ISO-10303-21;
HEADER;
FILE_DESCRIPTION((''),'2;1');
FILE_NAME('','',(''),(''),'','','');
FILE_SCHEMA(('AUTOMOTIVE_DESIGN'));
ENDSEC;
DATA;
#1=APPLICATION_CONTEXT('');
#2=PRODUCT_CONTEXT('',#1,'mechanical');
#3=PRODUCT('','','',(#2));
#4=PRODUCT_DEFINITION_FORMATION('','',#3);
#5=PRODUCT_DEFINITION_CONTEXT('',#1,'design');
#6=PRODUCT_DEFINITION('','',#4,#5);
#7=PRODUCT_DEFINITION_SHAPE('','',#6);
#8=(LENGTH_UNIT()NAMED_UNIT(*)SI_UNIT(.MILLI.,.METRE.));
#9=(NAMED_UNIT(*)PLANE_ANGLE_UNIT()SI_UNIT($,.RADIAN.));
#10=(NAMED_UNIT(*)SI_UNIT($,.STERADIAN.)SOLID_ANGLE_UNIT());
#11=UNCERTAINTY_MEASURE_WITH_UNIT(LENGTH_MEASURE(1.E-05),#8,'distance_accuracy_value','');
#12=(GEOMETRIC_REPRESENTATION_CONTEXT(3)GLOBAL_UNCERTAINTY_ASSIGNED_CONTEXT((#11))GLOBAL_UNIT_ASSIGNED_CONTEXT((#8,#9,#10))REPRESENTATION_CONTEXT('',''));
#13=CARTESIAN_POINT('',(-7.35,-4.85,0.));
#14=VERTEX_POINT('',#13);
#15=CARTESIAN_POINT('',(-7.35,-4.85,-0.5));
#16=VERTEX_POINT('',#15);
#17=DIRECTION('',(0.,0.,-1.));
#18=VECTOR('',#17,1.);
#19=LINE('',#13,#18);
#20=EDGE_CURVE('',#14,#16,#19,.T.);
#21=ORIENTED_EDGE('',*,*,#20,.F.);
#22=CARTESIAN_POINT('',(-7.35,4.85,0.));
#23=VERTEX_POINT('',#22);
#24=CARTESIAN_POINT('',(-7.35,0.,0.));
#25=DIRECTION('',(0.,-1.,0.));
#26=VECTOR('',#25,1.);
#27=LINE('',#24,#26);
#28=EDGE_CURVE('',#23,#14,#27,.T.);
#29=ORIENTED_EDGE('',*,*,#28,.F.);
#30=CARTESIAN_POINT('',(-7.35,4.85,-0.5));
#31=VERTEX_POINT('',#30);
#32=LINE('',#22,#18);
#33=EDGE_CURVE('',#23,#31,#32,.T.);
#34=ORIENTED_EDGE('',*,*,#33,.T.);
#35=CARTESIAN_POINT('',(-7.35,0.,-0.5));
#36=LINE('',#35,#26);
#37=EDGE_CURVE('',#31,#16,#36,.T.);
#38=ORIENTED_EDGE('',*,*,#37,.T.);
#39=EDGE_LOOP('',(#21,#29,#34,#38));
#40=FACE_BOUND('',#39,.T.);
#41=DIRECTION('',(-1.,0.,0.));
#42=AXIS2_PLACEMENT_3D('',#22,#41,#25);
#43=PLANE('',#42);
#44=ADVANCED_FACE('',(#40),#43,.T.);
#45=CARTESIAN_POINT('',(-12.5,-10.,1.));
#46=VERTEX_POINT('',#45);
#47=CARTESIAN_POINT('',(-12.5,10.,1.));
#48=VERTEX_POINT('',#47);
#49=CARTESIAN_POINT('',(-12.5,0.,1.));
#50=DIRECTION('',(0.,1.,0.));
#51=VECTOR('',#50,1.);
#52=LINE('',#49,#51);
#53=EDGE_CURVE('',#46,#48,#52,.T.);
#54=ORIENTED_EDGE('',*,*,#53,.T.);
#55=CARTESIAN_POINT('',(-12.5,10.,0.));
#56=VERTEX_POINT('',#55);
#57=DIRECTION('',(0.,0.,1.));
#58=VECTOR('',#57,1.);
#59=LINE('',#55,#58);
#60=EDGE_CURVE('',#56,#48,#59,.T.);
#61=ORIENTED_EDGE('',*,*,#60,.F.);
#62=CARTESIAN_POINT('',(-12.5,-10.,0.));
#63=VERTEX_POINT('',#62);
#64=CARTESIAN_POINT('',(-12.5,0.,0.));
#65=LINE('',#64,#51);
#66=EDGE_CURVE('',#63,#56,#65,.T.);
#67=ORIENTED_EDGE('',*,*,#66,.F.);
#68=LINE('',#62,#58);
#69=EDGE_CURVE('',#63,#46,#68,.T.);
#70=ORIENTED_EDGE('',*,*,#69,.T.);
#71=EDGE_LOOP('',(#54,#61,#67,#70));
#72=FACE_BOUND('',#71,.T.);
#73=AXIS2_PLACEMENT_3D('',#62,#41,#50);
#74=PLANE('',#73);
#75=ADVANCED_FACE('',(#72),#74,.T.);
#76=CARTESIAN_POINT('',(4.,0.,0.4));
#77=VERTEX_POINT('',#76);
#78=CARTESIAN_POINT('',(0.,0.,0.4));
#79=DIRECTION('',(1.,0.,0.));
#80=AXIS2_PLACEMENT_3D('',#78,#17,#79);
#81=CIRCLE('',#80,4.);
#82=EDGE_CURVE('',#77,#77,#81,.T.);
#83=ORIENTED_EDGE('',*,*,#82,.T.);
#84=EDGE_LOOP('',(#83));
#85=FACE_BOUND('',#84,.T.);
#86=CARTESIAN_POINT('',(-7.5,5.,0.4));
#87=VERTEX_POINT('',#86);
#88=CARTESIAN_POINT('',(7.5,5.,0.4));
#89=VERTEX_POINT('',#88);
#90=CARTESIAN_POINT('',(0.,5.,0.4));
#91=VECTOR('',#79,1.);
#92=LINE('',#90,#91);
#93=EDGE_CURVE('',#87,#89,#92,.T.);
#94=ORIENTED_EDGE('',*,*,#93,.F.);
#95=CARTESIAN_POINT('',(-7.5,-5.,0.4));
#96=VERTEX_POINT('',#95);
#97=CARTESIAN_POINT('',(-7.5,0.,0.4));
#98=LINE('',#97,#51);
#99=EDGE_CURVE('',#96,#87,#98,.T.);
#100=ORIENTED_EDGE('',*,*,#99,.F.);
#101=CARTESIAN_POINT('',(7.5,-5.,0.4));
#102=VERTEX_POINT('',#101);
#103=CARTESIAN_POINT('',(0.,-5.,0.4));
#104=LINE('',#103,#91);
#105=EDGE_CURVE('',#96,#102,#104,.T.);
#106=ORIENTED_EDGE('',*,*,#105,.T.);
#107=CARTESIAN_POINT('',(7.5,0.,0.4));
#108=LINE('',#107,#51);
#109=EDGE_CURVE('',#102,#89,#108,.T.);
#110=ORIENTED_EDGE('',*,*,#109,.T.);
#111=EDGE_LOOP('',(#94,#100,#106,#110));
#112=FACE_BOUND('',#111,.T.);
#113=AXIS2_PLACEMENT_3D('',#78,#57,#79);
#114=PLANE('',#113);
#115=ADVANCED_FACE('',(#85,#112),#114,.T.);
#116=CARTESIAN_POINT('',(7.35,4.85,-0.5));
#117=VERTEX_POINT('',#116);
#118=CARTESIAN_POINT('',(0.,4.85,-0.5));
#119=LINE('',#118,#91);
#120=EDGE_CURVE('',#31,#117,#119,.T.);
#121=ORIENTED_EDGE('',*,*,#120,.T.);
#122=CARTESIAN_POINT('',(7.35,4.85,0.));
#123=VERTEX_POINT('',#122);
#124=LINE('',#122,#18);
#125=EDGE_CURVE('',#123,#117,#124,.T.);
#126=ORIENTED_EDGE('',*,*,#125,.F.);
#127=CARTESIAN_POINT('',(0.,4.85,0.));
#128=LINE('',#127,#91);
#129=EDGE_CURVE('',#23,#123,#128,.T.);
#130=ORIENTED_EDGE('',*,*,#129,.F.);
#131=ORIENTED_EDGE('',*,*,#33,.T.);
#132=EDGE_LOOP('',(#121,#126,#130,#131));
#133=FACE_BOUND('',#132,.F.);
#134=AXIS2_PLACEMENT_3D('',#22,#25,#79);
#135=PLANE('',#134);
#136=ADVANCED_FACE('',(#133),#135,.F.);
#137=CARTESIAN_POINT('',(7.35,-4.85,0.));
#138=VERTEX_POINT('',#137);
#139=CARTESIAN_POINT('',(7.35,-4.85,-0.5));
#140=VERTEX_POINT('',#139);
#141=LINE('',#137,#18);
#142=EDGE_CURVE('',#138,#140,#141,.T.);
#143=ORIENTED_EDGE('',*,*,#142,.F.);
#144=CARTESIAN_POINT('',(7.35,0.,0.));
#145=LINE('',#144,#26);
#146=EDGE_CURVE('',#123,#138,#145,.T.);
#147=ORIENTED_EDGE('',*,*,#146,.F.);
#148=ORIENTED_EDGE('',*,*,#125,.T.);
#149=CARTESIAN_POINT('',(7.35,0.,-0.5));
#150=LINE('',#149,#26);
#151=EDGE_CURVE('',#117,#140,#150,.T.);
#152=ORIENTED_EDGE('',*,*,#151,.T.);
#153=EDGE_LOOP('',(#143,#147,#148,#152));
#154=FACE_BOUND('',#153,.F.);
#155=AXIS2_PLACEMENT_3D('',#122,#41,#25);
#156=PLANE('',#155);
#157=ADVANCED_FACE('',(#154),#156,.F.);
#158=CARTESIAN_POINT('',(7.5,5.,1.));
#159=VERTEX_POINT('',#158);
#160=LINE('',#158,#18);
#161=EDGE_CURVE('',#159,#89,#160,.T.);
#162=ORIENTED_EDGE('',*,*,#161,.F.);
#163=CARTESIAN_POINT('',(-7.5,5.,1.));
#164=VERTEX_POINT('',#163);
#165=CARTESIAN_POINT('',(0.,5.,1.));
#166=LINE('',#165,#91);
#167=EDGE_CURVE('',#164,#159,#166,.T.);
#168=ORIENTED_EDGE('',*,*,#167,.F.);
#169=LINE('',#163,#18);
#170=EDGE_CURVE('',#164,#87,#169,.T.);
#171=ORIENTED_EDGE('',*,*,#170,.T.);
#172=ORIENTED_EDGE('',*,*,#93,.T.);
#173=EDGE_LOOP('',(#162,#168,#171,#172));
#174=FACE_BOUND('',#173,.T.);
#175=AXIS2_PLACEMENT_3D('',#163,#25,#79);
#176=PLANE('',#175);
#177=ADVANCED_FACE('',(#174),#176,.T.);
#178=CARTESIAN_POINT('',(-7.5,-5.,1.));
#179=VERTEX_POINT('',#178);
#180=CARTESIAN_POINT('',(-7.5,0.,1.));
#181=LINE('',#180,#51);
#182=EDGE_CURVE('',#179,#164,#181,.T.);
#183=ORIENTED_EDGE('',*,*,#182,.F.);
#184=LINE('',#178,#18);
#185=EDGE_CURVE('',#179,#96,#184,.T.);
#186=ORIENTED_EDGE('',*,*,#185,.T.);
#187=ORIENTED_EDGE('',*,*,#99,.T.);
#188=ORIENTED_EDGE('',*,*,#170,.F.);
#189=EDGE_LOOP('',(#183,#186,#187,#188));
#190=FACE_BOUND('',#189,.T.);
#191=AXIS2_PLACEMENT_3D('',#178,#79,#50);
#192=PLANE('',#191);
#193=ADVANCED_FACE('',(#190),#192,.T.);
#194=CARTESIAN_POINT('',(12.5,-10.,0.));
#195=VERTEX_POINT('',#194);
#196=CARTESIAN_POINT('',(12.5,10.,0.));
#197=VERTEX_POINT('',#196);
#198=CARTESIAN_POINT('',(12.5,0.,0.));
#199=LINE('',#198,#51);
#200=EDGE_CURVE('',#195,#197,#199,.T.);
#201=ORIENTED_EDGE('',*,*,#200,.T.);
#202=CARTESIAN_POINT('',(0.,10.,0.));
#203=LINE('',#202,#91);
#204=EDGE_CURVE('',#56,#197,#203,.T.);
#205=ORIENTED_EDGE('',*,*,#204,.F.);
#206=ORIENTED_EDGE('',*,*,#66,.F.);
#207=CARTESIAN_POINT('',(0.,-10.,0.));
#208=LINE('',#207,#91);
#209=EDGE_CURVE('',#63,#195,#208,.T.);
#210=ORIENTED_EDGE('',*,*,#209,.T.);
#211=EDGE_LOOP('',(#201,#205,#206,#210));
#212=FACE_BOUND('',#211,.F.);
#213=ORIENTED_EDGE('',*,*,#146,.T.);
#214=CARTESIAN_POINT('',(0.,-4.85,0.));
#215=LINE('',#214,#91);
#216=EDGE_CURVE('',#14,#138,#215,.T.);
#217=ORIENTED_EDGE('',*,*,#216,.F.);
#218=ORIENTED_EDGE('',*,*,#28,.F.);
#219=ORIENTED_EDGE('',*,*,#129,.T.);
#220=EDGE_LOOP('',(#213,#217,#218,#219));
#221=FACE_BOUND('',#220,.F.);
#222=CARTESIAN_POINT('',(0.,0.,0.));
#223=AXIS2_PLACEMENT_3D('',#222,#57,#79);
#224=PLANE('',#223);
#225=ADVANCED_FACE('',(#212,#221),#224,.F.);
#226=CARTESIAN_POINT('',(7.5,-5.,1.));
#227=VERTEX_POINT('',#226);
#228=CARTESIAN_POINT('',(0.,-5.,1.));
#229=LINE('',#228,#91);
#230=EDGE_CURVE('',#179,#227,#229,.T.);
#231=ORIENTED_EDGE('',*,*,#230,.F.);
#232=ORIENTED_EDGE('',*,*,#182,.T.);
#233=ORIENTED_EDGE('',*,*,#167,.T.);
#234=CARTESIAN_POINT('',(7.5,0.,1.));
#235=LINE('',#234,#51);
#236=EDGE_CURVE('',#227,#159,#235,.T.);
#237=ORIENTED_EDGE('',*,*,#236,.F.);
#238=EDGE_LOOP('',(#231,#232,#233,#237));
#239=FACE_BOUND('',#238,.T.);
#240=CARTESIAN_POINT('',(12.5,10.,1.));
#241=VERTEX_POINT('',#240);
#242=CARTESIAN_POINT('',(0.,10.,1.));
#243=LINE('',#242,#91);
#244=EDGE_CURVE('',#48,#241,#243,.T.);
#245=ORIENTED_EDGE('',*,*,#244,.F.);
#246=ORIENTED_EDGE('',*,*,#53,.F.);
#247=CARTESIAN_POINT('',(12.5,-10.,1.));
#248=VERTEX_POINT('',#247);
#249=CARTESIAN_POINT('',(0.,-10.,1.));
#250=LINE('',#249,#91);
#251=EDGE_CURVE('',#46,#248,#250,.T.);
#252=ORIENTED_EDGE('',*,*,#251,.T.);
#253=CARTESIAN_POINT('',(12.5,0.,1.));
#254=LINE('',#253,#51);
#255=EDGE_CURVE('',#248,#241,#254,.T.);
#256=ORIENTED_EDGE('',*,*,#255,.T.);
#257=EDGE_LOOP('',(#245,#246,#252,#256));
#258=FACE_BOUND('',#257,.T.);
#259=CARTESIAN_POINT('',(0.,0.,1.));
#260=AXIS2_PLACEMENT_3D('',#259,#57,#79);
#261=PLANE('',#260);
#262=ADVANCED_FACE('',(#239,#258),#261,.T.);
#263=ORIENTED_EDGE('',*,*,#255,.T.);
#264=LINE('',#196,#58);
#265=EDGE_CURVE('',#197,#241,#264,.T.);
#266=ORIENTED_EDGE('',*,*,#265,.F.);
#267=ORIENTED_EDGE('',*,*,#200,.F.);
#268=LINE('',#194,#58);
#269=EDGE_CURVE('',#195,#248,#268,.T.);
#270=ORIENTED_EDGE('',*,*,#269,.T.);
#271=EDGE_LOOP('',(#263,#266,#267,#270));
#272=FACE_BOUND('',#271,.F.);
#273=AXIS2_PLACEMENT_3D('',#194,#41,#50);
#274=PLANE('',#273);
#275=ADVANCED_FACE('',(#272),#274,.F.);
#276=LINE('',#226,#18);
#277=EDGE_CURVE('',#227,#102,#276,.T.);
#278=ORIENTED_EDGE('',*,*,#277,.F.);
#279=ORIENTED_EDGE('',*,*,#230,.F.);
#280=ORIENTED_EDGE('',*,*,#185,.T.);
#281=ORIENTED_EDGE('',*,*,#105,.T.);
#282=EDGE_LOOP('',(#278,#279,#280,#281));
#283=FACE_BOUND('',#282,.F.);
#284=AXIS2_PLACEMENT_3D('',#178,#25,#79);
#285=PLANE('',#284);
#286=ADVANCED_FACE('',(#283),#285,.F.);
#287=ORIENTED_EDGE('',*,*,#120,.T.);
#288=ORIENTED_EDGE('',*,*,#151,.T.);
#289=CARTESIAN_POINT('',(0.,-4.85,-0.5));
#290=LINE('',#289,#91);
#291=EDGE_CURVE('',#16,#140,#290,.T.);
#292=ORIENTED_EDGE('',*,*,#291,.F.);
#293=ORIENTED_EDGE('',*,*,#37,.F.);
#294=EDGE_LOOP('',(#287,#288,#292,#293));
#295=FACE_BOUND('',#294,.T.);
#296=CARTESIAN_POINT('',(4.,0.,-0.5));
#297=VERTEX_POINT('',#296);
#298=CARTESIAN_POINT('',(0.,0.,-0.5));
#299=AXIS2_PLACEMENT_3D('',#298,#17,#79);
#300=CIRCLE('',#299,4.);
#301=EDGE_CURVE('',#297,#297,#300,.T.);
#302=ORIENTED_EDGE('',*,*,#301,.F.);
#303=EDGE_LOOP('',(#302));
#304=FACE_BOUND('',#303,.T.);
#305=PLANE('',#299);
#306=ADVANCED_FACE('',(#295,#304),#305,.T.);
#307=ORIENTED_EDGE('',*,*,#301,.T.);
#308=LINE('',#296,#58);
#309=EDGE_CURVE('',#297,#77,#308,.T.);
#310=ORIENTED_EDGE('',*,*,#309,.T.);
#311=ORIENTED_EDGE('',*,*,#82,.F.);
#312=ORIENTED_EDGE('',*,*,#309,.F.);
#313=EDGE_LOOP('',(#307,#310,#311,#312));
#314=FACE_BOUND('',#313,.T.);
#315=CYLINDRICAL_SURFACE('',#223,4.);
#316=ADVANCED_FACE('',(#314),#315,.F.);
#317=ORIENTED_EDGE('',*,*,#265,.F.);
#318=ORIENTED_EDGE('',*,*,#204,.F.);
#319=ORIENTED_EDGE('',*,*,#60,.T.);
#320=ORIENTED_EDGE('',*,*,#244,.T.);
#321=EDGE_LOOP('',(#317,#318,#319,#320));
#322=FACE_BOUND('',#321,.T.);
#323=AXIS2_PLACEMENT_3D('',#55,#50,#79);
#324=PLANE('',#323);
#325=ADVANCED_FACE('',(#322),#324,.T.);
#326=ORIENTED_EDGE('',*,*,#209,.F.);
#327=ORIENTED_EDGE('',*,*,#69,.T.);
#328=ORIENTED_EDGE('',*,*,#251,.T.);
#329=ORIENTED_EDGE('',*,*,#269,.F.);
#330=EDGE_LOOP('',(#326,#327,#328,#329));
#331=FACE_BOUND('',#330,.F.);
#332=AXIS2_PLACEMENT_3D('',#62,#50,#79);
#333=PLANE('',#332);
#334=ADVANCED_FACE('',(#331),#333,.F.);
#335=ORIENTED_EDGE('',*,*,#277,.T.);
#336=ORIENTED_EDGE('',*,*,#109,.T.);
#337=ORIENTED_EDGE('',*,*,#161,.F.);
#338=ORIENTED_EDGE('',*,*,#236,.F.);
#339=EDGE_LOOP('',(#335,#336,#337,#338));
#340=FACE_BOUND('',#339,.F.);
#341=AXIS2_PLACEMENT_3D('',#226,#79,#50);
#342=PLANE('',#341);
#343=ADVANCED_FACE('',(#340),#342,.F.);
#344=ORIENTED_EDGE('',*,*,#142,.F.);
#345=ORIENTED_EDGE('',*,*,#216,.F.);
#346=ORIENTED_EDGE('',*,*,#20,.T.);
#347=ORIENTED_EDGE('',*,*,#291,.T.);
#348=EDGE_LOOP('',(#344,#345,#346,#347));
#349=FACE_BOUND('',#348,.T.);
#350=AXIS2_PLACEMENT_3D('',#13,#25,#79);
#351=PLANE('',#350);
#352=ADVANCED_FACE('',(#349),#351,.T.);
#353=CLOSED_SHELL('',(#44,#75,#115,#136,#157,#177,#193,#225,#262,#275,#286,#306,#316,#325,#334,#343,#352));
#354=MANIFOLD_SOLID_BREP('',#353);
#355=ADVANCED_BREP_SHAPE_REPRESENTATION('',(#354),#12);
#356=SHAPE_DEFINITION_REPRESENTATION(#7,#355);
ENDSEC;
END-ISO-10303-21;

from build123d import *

# Parameters (mm, degrees)
F0_W     = 25
F0_H     = 20
F0_R     = 4
F1_DEPTH = 1
F2_W     = 15
F2_H     = 10
F3_DEPTH = 0.6
F4_W     = 14.7
F4_H     = 9.7
F4_R     = 4
F5_DEPTH = 0.5


with BuildPart() as f1:
    # F0 (on Top) → F1 (new body)
    with BuildSketch(Plane.XY):
        Rectangle(F0_W, F0_H)
        Circle(F0_R, mode=Mode.SUBTRACT)
    extrude(amount=F1_DEPTH)

    # F2 (on face) → F3 (cut)
    with BuildSketch(Plane.XY.offset(1)):
        Rectangle(F2_W, F2_H)
    extrude(amount=-F3_DEPTH, mode=Mode.SUBTRACT)

    # F4 (on face) → F5 (join)
    with BuildSketch(Plane(origin=(0, 0, 0), x_dir=(1, 0, 0), z_dir=(0, 0, -1))):
        Rectangle(F4_W, F4_H)
        Circle(F4_R, mode=Mode.SUBTRACT)
    extrude(amount=F5_DEPTH)


solid = f1.part
